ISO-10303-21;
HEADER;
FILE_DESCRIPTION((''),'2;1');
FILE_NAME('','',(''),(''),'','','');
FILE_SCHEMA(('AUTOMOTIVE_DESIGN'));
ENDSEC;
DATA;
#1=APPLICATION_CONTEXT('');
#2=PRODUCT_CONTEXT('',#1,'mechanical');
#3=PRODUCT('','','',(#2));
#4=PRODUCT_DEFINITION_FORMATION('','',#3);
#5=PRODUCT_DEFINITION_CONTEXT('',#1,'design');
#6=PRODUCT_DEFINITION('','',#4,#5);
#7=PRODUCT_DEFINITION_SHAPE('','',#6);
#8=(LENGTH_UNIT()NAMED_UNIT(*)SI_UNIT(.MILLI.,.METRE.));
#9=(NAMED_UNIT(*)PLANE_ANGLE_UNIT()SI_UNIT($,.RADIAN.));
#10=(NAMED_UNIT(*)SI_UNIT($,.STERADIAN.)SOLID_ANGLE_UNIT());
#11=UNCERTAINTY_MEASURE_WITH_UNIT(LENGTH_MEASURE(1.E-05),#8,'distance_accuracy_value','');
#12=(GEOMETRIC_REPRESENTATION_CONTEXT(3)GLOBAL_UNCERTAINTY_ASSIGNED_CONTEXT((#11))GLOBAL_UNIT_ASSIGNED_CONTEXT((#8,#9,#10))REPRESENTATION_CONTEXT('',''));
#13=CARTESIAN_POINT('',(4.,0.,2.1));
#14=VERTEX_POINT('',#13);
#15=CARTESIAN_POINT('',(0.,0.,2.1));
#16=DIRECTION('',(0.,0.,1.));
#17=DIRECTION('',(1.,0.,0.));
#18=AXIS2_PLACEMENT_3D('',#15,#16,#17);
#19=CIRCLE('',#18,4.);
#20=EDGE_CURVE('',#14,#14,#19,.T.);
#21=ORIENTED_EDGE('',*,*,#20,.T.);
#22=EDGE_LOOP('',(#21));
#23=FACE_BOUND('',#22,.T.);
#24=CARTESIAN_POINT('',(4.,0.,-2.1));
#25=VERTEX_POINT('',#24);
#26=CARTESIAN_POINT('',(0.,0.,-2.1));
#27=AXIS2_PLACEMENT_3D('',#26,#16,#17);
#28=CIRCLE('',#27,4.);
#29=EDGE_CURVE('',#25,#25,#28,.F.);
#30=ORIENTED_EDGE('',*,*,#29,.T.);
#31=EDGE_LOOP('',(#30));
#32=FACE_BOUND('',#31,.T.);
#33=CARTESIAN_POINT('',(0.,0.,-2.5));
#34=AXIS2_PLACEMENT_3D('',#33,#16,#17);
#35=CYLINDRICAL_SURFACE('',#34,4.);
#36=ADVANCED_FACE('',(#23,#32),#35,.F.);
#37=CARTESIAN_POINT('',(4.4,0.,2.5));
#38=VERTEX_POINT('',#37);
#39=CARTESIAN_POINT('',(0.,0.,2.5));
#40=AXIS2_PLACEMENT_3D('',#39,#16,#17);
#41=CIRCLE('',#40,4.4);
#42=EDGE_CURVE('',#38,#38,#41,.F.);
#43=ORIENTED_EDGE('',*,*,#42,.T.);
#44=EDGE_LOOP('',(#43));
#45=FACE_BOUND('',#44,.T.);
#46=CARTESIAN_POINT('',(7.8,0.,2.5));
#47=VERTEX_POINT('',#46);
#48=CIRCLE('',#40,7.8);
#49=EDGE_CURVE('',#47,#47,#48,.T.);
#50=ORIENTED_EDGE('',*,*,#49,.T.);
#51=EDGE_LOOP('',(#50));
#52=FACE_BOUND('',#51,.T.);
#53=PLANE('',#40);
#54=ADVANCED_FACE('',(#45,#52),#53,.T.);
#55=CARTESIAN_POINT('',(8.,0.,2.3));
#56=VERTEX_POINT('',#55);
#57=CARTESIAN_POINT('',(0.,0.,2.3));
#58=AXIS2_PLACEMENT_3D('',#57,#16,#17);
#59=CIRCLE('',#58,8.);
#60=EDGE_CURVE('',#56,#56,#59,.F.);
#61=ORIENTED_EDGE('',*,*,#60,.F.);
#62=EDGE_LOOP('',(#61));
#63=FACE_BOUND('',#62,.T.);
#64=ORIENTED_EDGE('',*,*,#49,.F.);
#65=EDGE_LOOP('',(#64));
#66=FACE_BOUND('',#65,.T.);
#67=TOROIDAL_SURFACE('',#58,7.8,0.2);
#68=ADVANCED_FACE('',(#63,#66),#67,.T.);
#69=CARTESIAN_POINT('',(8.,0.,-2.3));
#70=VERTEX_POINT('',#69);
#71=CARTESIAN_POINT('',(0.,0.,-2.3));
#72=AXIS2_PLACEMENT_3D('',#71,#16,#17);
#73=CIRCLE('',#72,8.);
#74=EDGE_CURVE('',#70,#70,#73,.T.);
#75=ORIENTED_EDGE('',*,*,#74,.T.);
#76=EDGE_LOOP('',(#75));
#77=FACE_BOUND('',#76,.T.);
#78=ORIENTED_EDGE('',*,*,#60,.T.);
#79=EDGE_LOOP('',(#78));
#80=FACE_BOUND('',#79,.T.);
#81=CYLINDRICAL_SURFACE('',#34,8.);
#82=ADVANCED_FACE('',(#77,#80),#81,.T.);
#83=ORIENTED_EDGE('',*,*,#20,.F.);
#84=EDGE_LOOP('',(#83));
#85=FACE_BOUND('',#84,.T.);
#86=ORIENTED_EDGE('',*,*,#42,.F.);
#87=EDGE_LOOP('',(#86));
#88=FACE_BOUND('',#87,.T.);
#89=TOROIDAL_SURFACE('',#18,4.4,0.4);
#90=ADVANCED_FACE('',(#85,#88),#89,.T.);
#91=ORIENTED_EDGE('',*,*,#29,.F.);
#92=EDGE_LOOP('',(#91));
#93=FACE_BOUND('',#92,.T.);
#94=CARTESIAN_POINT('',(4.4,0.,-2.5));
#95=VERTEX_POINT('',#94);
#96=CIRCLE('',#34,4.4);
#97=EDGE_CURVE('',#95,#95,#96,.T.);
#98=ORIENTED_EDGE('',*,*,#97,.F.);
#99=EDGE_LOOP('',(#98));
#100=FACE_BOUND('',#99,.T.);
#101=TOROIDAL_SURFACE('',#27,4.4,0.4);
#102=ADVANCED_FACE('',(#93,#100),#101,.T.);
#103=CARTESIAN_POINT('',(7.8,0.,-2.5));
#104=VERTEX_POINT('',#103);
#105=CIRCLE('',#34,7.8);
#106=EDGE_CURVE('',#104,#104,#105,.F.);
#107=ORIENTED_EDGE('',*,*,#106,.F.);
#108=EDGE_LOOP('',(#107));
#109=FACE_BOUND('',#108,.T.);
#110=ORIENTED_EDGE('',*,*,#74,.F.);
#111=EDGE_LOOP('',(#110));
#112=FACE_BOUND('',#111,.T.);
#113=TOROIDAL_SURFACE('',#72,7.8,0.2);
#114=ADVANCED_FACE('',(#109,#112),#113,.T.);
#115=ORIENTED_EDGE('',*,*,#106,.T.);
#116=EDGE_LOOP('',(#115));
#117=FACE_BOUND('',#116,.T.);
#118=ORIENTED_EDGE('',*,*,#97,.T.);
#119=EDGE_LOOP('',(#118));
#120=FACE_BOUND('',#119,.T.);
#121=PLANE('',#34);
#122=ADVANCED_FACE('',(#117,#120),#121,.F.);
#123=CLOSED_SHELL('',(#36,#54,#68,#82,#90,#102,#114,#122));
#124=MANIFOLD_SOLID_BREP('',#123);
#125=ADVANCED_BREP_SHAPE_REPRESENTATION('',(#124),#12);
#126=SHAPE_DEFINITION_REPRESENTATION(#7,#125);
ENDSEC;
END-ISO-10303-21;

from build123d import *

# Parameters (mm, degrees)
BEARING_BOSS_EXTRUDE1_DEPTH      = 2.5
BEARING_BOSS_EXTRUDE1_DEPTH_BACK = 2.5
SKETCH1_R                        = 8
SKETCH1_R_2                      = 4
FILLET6_R                        = 0.2
FILLET7_R                        = 0.4


with BuildPart() as part:
    # Sketch1 → Bearing Boss-Extrude1 (new, two sides: drawn at the far end of the back side and taken through both)
    with BuildSketch(Plane.XY.offset(-BEARING_BOSS_EXTRUDE1_DEPTH_BACK)):
        Circle(SKETCH1_R)
        Circle(SKETCH1_R_2, mode=Mode.SUBTRACT)
    extrude(amount=BEARING_BOSS_EXTRUDE1_DEPTH + BEARING_BOSS_EXTRUDE1_DEPTH_BACK)

    # Fillet6
    fillet6_edges = [part.edges().sort_by_distance(p)[0] for p in [
        (-8, 0, -2.5),
        (-8, 0, 2.5),
    ]]
    fillet(fillet6_edges, radius=FILLET6_R)

    # Fillet7
    fillet7_edges = [part.edges().sort_by_distance(p)[0] for p in [
        (-4, 0, -2.5),
        (-4, 0, 2.5),
    ]]
    fillet(fillet7_edges, radius=FILLET7_R)


solid = part.part
